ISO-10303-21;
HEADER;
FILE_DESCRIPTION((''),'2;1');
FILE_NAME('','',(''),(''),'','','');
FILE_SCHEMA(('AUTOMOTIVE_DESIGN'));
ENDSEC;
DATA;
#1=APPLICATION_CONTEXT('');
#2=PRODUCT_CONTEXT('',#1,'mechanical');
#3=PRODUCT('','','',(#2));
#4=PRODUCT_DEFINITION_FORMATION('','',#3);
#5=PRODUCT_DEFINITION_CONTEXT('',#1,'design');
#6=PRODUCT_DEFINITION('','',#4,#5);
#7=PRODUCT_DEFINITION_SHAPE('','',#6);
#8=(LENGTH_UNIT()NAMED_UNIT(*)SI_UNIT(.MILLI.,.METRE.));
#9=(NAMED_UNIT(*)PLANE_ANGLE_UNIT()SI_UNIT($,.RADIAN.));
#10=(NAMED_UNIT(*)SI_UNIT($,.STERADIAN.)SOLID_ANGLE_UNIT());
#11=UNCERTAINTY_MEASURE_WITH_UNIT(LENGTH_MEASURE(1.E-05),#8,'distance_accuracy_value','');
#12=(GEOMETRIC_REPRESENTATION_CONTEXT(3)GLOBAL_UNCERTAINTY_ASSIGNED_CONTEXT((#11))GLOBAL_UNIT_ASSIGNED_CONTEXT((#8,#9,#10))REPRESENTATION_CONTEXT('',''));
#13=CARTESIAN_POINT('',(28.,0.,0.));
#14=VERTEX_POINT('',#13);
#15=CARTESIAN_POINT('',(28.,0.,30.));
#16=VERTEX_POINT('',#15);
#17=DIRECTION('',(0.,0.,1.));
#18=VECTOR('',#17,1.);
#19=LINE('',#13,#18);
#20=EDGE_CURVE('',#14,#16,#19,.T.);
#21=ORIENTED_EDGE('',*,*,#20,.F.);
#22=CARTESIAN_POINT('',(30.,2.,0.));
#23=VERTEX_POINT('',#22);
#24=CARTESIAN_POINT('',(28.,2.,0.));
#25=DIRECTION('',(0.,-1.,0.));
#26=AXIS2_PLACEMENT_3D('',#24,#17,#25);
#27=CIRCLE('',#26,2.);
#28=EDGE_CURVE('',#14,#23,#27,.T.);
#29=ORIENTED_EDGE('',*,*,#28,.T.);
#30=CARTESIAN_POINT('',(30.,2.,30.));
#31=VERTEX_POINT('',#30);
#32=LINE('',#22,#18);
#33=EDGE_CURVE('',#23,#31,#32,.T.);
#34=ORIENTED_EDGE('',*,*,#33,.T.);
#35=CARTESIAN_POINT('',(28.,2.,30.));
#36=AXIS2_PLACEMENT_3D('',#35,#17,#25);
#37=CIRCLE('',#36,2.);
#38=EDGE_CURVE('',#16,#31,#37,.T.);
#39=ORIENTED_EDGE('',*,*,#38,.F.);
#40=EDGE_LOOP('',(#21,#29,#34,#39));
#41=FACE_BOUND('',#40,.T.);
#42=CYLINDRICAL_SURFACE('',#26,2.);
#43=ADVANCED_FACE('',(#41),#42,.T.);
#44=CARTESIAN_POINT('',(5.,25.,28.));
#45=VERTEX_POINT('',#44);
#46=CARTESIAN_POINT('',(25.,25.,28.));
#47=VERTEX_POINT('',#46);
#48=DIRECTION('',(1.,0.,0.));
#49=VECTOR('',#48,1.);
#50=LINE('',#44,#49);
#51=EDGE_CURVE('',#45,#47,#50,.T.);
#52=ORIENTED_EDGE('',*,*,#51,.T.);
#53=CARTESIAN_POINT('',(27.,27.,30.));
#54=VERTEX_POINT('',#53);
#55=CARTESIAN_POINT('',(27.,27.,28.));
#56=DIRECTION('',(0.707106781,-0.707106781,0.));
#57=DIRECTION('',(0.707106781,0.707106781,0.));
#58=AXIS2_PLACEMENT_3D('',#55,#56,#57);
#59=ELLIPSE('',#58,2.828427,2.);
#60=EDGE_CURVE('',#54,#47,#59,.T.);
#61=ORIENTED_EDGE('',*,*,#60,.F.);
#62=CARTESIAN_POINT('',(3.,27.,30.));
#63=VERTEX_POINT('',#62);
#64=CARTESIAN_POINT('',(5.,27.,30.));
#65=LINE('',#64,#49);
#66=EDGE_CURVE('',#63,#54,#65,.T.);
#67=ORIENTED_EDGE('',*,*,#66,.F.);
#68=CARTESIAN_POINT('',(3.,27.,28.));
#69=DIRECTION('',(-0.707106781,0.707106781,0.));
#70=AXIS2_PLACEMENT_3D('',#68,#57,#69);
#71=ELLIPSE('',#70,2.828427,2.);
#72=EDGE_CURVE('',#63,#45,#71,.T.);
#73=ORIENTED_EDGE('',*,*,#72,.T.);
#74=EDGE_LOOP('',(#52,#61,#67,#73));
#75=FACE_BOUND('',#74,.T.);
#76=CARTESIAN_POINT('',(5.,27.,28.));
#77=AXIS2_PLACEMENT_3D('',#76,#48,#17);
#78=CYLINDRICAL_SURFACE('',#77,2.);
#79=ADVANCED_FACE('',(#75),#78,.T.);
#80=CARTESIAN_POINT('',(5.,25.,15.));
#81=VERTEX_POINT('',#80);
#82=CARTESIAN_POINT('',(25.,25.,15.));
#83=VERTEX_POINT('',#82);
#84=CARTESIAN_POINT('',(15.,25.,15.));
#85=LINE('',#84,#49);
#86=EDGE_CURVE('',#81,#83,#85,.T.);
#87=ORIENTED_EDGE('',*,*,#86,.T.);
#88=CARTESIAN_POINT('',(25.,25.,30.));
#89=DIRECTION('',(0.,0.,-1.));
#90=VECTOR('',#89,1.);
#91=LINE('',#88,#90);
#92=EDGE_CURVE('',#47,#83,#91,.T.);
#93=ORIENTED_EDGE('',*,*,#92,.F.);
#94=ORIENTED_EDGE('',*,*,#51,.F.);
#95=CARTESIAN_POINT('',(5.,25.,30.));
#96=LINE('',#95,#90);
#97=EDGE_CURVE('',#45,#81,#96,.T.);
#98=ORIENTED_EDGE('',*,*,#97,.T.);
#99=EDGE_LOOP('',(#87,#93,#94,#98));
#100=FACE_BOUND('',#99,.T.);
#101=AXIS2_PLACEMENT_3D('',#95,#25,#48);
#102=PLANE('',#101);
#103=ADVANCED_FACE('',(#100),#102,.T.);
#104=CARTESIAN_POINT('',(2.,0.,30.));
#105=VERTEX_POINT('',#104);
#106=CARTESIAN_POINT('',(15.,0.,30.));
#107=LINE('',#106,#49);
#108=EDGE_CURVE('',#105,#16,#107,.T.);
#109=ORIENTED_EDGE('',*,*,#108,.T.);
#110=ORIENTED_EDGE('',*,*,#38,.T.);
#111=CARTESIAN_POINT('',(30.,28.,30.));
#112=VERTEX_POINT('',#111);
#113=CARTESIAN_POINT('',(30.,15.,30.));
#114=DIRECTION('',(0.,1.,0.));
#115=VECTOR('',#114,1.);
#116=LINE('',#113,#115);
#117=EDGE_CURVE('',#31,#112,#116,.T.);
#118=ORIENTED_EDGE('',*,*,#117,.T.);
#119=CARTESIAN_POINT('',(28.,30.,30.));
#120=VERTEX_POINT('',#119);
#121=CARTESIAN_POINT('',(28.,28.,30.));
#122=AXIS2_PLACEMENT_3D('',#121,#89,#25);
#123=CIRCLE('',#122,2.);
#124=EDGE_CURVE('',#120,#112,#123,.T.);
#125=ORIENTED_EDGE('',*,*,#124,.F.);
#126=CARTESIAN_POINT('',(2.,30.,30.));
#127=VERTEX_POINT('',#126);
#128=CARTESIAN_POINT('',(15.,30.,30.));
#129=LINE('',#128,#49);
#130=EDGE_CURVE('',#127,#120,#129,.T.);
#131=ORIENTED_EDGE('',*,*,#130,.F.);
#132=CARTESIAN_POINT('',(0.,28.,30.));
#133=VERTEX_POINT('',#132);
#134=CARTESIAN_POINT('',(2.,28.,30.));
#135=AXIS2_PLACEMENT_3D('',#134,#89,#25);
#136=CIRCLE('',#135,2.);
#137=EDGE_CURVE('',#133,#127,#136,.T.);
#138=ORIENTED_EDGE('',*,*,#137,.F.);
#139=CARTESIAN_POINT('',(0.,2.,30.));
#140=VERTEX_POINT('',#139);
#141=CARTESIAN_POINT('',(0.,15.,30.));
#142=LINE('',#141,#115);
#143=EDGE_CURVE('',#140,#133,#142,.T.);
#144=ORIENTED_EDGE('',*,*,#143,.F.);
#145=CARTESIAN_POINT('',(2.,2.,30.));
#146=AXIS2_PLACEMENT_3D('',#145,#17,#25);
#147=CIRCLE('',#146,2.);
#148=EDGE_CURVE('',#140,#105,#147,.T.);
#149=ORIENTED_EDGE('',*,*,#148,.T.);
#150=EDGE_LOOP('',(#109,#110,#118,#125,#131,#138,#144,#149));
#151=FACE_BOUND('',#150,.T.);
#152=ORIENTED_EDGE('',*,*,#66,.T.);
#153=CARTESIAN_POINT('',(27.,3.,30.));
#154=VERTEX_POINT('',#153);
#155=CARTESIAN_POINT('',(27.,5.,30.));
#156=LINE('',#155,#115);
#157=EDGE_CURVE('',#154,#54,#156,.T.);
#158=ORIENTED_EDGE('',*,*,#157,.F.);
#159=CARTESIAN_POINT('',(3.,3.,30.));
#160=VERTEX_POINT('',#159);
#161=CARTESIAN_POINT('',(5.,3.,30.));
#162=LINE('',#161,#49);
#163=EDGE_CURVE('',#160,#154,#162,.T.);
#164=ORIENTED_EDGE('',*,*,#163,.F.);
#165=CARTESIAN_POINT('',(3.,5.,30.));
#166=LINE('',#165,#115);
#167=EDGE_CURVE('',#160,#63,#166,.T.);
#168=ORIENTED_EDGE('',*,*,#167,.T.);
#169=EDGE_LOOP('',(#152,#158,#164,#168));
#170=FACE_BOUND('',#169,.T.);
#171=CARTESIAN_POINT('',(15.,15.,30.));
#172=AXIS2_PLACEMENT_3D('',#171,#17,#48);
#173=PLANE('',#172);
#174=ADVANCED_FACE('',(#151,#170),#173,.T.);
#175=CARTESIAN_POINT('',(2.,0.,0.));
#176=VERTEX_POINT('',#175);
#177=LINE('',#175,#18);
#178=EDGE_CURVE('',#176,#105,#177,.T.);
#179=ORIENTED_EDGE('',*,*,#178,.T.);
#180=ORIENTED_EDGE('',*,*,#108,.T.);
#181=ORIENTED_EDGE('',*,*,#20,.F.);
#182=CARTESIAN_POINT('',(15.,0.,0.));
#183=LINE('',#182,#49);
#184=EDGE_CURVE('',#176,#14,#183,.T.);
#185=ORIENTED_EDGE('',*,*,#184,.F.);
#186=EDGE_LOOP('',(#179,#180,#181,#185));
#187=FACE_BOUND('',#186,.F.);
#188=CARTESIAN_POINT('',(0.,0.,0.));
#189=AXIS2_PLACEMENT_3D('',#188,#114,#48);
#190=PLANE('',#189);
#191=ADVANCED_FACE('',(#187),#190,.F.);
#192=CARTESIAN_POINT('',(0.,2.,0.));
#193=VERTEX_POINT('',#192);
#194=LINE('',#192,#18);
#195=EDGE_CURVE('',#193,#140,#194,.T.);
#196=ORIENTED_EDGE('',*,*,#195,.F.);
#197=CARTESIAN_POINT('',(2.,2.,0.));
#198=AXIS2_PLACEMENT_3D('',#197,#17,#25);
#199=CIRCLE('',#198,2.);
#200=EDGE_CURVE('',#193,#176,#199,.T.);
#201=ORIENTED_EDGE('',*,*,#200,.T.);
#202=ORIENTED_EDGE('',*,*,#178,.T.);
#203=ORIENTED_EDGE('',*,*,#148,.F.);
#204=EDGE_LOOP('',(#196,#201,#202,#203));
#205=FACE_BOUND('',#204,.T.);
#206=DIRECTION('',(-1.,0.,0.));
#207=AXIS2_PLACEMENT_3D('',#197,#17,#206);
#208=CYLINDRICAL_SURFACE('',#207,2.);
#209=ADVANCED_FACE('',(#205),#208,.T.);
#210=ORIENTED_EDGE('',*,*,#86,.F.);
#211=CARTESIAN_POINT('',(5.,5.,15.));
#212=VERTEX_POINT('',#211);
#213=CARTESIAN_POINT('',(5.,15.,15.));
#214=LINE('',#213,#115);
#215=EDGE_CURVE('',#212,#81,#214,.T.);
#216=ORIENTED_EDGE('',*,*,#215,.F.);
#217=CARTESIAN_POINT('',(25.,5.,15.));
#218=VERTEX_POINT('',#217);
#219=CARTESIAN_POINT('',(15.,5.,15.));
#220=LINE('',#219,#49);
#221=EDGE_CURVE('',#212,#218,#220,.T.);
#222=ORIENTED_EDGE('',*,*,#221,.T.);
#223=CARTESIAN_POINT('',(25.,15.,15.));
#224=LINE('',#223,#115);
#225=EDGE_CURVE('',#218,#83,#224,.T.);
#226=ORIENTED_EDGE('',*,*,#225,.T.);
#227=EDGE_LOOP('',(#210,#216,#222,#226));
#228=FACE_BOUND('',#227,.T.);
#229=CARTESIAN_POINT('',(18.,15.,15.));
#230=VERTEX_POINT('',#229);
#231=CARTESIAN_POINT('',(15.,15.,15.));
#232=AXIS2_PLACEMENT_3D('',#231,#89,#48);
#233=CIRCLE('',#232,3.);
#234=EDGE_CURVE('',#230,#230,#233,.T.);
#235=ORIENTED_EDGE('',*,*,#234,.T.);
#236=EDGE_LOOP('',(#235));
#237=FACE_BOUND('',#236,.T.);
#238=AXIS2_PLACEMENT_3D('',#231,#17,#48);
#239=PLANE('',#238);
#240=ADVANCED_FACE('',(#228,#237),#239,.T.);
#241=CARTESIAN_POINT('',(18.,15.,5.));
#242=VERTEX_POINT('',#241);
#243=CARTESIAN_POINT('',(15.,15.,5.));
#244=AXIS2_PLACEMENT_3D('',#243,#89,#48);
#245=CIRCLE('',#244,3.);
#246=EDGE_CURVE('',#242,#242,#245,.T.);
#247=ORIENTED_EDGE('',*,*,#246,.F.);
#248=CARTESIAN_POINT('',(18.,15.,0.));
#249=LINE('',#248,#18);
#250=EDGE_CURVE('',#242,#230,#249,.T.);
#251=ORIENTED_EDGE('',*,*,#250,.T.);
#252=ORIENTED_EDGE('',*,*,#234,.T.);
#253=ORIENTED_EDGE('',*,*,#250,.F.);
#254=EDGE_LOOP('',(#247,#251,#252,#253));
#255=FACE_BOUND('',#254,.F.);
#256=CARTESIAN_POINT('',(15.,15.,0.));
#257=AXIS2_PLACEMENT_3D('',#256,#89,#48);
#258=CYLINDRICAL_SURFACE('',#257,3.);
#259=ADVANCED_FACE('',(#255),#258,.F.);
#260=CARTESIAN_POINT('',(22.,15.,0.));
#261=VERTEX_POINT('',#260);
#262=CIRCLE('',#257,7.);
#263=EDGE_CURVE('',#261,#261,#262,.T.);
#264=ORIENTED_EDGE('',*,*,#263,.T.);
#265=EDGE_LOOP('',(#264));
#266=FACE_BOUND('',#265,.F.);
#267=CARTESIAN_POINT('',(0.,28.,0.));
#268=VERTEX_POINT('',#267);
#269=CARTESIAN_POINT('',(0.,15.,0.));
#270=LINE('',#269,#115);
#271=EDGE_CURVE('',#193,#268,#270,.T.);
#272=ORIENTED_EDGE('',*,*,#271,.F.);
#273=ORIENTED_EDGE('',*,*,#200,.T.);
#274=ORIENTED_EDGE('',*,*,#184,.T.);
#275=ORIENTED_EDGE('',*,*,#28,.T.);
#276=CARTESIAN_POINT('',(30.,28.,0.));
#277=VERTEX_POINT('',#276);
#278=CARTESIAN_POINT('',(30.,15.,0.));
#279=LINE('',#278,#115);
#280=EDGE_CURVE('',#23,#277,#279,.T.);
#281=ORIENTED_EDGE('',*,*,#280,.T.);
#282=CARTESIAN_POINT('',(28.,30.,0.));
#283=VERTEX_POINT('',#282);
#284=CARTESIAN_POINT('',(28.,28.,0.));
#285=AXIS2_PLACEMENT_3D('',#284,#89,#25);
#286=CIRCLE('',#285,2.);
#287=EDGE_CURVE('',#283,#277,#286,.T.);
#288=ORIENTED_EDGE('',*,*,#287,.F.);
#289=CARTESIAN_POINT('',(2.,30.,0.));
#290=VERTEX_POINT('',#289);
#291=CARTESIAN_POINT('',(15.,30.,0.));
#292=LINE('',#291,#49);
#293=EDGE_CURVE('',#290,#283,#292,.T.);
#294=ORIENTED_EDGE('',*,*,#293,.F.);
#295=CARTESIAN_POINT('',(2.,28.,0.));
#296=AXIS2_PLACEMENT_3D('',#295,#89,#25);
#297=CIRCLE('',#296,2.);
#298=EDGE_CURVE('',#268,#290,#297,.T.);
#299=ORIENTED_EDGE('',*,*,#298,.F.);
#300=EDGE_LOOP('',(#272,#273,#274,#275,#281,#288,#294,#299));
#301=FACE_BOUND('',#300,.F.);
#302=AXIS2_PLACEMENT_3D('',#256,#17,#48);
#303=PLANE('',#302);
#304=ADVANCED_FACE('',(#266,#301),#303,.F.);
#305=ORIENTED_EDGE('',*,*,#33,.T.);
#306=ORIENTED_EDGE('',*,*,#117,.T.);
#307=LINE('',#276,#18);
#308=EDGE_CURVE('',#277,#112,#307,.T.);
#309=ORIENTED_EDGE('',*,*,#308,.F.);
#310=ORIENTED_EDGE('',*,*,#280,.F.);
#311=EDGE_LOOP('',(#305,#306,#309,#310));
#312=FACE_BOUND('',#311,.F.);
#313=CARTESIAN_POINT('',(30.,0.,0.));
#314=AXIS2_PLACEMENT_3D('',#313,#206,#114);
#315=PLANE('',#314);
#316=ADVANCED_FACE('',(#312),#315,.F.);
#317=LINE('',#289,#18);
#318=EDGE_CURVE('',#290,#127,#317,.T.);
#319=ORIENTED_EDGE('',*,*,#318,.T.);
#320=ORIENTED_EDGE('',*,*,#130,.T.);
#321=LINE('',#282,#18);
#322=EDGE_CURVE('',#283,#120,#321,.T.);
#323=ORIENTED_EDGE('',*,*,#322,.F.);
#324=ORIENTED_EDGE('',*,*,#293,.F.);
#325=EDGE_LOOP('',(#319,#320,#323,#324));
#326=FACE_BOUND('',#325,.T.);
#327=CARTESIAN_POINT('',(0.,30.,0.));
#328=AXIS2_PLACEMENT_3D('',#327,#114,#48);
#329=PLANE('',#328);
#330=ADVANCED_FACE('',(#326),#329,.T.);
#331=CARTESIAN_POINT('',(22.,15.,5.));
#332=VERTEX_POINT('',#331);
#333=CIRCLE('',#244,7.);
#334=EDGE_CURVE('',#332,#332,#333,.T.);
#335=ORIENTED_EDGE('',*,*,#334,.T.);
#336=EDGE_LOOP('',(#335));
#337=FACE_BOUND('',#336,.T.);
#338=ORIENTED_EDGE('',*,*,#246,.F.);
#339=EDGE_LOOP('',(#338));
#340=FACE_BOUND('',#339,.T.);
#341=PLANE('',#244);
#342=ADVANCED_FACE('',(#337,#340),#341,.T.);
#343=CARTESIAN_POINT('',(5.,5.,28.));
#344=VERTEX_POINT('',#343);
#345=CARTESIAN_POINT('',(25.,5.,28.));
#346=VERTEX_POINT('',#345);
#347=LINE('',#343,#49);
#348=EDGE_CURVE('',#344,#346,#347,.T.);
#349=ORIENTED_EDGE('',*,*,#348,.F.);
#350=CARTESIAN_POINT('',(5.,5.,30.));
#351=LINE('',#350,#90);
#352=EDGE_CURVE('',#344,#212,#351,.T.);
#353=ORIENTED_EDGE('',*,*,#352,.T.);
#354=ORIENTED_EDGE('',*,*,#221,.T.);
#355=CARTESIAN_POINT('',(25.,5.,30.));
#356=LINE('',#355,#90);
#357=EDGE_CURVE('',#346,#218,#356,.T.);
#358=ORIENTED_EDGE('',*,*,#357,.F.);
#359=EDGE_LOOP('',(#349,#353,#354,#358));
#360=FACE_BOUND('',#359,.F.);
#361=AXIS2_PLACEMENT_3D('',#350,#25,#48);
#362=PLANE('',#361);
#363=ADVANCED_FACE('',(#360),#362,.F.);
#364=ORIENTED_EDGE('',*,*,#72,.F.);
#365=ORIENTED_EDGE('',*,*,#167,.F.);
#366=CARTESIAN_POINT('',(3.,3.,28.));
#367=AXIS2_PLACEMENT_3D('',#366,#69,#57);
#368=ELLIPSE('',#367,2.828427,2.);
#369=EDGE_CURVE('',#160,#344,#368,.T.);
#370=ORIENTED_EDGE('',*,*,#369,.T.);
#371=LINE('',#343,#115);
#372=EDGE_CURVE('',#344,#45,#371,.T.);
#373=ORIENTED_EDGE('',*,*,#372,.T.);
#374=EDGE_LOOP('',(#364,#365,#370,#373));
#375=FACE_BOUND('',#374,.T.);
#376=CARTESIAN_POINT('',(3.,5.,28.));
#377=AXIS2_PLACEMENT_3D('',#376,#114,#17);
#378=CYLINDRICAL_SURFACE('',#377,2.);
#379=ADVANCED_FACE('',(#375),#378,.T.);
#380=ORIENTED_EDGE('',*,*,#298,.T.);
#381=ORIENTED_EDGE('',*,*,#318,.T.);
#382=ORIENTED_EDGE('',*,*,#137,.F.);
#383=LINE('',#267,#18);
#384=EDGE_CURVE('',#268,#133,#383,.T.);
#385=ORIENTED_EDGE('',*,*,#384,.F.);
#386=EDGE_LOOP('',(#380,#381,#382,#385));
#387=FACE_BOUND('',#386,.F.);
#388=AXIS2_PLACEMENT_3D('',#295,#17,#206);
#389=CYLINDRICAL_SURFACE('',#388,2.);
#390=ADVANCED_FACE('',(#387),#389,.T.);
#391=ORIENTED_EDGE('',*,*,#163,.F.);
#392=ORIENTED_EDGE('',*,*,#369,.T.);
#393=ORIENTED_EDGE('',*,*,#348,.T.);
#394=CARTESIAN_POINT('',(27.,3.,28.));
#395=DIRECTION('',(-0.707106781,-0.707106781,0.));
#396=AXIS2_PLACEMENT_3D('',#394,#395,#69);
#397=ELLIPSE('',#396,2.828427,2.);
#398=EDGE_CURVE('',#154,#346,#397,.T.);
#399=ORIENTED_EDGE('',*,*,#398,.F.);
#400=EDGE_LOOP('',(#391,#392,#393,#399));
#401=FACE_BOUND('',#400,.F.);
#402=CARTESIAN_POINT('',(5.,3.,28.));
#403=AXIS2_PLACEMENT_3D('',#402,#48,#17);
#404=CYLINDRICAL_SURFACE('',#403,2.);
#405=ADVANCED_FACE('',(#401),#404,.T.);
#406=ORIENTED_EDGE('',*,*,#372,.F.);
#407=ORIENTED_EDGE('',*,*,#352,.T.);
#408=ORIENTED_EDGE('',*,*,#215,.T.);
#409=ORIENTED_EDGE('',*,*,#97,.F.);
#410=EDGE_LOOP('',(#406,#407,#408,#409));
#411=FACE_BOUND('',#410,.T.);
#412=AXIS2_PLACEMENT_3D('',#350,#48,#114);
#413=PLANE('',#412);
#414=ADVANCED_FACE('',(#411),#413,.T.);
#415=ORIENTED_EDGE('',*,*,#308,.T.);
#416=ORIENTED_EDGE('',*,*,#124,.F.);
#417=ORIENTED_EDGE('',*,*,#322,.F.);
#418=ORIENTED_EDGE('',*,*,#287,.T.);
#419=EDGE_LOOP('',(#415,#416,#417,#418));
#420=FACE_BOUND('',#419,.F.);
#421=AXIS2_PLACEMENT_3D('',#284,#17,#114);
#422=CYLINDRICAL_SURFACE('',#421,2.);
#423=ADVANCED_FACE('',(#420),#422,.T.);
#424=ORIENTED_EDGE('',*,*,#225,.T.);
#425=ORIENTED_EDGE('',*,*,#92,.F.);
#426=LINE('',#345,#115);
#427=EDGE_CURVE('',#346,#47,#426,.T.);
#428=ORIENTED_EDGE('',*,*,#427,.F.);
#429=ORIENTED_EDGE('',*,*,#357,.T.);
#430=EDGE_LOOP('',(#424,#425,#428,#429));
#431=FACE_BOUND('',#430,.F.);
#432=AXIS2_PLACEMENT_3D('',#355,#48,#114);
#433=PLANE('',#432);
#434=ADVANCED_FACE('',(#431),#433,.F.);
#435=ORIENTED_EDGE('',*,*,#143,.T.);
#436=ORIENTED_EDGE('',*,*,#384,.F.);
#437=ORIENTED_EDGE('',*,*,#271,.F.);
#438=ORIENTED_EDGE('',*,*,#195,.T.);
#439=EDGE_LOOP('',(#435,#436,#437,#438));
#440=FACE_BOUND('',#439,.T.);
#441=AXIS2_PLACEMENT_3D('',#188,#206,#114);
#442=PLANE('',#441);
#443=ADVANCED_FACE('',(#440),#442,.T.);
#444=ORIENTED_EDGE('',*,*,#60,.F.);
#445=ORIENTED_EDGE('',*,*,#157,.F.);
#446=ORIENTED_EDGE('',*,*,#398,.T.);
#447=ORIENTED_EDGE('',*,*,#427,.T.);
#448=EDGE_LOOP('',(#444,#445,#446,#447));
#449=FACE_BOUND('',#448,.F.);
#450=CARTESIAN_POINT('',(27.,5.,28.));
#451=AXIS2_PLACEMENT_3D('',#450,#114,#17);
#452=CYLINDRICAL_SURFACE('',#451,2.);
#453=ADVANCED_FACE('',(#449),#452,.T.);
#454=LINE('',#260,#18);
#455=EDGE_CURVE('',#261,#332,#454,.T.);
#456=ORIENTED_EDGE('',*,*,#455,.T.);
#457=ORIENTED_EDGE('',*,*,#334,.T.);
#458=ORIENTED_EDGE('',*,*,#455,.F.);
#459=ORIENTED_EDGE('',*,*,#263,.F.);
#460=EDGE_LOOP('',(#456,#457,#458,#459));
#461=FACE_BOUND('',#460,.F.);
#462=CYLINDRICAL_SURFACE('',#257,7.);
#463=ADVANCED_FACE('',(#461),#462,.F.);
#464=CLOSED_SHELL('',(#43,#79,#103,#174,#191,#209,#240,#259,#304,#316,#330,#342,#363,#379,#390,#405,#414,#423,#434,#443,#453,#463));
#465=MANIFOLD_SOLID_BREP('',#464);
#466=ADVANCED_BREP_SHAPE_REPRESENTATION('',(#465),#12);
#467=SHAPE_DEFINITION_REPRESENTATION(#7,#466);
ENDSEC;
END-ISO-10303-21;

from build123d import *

# Parameters (mm, degrees)
F0_W     = 30
F0_H     = 30
F1_DEPTH = 30
F2_W     = 20
F2_H     = 20
F3_DEPTH = 15
F4_R     = 3
F5_DEPTH = 25
F6_R     = 7
F7_DEPTH = 5
F8_R     = 2


with BuildPart() as f1:
    # F0 (on Top) → F1 (new body)
    with BuildSketch(Plane.XY):
        with Locations((15, 15)):
            Rectangle(F0_W, F0_H)
    extrude(amount=F1_DEPTH)

    # F2 (on face) → F3 (cut)
    with BuildSketch(Plane.XY.offset(30)):
        with Locations((15, 15)):
            Rectangle(F2_W, F2_H)
    extrude(amount=-F3_DEPTH, mode=Mode.SUBTRACT)

    # F4 (on face) → F5 (cut)
    with BuildSketch(Plane(origin=(0, 0, 0), x_dir=(1, 0, 0), z_dir=(0, 0, -1))):
        with Locations((15, -15)):
            Circle(F4_R)
    extrude(amount=-F5_DEPTH, mode=Mode.SUBTRACT)

    # F6 (on face) → F7 (cut)
    with BuildSketch(Plane(origin=(0, 0, 0), x_dir=(1, 0, 0), z_dir=(0, 0, -1))):
        with Locations((15, -15)):
            Circle(F6_R)
    extrude(amount=-F7_DEPTH, mode=Mode.SUBTRACT)

    # F8
    f8_edges = [f1.edges().sort_by_distance(p)[0] for p in [
        (5, 15, 30),
        (15, 25, 30),
        (25, 15, 30),
        (15, 5, 30),
        (30, 0, 15),
        (30, 30, 15),
        (0, 0, 15),
        (0, 30, 15),
    ]]
    fillet(f8_edges, radius=F8_R)


solid = f1.part
